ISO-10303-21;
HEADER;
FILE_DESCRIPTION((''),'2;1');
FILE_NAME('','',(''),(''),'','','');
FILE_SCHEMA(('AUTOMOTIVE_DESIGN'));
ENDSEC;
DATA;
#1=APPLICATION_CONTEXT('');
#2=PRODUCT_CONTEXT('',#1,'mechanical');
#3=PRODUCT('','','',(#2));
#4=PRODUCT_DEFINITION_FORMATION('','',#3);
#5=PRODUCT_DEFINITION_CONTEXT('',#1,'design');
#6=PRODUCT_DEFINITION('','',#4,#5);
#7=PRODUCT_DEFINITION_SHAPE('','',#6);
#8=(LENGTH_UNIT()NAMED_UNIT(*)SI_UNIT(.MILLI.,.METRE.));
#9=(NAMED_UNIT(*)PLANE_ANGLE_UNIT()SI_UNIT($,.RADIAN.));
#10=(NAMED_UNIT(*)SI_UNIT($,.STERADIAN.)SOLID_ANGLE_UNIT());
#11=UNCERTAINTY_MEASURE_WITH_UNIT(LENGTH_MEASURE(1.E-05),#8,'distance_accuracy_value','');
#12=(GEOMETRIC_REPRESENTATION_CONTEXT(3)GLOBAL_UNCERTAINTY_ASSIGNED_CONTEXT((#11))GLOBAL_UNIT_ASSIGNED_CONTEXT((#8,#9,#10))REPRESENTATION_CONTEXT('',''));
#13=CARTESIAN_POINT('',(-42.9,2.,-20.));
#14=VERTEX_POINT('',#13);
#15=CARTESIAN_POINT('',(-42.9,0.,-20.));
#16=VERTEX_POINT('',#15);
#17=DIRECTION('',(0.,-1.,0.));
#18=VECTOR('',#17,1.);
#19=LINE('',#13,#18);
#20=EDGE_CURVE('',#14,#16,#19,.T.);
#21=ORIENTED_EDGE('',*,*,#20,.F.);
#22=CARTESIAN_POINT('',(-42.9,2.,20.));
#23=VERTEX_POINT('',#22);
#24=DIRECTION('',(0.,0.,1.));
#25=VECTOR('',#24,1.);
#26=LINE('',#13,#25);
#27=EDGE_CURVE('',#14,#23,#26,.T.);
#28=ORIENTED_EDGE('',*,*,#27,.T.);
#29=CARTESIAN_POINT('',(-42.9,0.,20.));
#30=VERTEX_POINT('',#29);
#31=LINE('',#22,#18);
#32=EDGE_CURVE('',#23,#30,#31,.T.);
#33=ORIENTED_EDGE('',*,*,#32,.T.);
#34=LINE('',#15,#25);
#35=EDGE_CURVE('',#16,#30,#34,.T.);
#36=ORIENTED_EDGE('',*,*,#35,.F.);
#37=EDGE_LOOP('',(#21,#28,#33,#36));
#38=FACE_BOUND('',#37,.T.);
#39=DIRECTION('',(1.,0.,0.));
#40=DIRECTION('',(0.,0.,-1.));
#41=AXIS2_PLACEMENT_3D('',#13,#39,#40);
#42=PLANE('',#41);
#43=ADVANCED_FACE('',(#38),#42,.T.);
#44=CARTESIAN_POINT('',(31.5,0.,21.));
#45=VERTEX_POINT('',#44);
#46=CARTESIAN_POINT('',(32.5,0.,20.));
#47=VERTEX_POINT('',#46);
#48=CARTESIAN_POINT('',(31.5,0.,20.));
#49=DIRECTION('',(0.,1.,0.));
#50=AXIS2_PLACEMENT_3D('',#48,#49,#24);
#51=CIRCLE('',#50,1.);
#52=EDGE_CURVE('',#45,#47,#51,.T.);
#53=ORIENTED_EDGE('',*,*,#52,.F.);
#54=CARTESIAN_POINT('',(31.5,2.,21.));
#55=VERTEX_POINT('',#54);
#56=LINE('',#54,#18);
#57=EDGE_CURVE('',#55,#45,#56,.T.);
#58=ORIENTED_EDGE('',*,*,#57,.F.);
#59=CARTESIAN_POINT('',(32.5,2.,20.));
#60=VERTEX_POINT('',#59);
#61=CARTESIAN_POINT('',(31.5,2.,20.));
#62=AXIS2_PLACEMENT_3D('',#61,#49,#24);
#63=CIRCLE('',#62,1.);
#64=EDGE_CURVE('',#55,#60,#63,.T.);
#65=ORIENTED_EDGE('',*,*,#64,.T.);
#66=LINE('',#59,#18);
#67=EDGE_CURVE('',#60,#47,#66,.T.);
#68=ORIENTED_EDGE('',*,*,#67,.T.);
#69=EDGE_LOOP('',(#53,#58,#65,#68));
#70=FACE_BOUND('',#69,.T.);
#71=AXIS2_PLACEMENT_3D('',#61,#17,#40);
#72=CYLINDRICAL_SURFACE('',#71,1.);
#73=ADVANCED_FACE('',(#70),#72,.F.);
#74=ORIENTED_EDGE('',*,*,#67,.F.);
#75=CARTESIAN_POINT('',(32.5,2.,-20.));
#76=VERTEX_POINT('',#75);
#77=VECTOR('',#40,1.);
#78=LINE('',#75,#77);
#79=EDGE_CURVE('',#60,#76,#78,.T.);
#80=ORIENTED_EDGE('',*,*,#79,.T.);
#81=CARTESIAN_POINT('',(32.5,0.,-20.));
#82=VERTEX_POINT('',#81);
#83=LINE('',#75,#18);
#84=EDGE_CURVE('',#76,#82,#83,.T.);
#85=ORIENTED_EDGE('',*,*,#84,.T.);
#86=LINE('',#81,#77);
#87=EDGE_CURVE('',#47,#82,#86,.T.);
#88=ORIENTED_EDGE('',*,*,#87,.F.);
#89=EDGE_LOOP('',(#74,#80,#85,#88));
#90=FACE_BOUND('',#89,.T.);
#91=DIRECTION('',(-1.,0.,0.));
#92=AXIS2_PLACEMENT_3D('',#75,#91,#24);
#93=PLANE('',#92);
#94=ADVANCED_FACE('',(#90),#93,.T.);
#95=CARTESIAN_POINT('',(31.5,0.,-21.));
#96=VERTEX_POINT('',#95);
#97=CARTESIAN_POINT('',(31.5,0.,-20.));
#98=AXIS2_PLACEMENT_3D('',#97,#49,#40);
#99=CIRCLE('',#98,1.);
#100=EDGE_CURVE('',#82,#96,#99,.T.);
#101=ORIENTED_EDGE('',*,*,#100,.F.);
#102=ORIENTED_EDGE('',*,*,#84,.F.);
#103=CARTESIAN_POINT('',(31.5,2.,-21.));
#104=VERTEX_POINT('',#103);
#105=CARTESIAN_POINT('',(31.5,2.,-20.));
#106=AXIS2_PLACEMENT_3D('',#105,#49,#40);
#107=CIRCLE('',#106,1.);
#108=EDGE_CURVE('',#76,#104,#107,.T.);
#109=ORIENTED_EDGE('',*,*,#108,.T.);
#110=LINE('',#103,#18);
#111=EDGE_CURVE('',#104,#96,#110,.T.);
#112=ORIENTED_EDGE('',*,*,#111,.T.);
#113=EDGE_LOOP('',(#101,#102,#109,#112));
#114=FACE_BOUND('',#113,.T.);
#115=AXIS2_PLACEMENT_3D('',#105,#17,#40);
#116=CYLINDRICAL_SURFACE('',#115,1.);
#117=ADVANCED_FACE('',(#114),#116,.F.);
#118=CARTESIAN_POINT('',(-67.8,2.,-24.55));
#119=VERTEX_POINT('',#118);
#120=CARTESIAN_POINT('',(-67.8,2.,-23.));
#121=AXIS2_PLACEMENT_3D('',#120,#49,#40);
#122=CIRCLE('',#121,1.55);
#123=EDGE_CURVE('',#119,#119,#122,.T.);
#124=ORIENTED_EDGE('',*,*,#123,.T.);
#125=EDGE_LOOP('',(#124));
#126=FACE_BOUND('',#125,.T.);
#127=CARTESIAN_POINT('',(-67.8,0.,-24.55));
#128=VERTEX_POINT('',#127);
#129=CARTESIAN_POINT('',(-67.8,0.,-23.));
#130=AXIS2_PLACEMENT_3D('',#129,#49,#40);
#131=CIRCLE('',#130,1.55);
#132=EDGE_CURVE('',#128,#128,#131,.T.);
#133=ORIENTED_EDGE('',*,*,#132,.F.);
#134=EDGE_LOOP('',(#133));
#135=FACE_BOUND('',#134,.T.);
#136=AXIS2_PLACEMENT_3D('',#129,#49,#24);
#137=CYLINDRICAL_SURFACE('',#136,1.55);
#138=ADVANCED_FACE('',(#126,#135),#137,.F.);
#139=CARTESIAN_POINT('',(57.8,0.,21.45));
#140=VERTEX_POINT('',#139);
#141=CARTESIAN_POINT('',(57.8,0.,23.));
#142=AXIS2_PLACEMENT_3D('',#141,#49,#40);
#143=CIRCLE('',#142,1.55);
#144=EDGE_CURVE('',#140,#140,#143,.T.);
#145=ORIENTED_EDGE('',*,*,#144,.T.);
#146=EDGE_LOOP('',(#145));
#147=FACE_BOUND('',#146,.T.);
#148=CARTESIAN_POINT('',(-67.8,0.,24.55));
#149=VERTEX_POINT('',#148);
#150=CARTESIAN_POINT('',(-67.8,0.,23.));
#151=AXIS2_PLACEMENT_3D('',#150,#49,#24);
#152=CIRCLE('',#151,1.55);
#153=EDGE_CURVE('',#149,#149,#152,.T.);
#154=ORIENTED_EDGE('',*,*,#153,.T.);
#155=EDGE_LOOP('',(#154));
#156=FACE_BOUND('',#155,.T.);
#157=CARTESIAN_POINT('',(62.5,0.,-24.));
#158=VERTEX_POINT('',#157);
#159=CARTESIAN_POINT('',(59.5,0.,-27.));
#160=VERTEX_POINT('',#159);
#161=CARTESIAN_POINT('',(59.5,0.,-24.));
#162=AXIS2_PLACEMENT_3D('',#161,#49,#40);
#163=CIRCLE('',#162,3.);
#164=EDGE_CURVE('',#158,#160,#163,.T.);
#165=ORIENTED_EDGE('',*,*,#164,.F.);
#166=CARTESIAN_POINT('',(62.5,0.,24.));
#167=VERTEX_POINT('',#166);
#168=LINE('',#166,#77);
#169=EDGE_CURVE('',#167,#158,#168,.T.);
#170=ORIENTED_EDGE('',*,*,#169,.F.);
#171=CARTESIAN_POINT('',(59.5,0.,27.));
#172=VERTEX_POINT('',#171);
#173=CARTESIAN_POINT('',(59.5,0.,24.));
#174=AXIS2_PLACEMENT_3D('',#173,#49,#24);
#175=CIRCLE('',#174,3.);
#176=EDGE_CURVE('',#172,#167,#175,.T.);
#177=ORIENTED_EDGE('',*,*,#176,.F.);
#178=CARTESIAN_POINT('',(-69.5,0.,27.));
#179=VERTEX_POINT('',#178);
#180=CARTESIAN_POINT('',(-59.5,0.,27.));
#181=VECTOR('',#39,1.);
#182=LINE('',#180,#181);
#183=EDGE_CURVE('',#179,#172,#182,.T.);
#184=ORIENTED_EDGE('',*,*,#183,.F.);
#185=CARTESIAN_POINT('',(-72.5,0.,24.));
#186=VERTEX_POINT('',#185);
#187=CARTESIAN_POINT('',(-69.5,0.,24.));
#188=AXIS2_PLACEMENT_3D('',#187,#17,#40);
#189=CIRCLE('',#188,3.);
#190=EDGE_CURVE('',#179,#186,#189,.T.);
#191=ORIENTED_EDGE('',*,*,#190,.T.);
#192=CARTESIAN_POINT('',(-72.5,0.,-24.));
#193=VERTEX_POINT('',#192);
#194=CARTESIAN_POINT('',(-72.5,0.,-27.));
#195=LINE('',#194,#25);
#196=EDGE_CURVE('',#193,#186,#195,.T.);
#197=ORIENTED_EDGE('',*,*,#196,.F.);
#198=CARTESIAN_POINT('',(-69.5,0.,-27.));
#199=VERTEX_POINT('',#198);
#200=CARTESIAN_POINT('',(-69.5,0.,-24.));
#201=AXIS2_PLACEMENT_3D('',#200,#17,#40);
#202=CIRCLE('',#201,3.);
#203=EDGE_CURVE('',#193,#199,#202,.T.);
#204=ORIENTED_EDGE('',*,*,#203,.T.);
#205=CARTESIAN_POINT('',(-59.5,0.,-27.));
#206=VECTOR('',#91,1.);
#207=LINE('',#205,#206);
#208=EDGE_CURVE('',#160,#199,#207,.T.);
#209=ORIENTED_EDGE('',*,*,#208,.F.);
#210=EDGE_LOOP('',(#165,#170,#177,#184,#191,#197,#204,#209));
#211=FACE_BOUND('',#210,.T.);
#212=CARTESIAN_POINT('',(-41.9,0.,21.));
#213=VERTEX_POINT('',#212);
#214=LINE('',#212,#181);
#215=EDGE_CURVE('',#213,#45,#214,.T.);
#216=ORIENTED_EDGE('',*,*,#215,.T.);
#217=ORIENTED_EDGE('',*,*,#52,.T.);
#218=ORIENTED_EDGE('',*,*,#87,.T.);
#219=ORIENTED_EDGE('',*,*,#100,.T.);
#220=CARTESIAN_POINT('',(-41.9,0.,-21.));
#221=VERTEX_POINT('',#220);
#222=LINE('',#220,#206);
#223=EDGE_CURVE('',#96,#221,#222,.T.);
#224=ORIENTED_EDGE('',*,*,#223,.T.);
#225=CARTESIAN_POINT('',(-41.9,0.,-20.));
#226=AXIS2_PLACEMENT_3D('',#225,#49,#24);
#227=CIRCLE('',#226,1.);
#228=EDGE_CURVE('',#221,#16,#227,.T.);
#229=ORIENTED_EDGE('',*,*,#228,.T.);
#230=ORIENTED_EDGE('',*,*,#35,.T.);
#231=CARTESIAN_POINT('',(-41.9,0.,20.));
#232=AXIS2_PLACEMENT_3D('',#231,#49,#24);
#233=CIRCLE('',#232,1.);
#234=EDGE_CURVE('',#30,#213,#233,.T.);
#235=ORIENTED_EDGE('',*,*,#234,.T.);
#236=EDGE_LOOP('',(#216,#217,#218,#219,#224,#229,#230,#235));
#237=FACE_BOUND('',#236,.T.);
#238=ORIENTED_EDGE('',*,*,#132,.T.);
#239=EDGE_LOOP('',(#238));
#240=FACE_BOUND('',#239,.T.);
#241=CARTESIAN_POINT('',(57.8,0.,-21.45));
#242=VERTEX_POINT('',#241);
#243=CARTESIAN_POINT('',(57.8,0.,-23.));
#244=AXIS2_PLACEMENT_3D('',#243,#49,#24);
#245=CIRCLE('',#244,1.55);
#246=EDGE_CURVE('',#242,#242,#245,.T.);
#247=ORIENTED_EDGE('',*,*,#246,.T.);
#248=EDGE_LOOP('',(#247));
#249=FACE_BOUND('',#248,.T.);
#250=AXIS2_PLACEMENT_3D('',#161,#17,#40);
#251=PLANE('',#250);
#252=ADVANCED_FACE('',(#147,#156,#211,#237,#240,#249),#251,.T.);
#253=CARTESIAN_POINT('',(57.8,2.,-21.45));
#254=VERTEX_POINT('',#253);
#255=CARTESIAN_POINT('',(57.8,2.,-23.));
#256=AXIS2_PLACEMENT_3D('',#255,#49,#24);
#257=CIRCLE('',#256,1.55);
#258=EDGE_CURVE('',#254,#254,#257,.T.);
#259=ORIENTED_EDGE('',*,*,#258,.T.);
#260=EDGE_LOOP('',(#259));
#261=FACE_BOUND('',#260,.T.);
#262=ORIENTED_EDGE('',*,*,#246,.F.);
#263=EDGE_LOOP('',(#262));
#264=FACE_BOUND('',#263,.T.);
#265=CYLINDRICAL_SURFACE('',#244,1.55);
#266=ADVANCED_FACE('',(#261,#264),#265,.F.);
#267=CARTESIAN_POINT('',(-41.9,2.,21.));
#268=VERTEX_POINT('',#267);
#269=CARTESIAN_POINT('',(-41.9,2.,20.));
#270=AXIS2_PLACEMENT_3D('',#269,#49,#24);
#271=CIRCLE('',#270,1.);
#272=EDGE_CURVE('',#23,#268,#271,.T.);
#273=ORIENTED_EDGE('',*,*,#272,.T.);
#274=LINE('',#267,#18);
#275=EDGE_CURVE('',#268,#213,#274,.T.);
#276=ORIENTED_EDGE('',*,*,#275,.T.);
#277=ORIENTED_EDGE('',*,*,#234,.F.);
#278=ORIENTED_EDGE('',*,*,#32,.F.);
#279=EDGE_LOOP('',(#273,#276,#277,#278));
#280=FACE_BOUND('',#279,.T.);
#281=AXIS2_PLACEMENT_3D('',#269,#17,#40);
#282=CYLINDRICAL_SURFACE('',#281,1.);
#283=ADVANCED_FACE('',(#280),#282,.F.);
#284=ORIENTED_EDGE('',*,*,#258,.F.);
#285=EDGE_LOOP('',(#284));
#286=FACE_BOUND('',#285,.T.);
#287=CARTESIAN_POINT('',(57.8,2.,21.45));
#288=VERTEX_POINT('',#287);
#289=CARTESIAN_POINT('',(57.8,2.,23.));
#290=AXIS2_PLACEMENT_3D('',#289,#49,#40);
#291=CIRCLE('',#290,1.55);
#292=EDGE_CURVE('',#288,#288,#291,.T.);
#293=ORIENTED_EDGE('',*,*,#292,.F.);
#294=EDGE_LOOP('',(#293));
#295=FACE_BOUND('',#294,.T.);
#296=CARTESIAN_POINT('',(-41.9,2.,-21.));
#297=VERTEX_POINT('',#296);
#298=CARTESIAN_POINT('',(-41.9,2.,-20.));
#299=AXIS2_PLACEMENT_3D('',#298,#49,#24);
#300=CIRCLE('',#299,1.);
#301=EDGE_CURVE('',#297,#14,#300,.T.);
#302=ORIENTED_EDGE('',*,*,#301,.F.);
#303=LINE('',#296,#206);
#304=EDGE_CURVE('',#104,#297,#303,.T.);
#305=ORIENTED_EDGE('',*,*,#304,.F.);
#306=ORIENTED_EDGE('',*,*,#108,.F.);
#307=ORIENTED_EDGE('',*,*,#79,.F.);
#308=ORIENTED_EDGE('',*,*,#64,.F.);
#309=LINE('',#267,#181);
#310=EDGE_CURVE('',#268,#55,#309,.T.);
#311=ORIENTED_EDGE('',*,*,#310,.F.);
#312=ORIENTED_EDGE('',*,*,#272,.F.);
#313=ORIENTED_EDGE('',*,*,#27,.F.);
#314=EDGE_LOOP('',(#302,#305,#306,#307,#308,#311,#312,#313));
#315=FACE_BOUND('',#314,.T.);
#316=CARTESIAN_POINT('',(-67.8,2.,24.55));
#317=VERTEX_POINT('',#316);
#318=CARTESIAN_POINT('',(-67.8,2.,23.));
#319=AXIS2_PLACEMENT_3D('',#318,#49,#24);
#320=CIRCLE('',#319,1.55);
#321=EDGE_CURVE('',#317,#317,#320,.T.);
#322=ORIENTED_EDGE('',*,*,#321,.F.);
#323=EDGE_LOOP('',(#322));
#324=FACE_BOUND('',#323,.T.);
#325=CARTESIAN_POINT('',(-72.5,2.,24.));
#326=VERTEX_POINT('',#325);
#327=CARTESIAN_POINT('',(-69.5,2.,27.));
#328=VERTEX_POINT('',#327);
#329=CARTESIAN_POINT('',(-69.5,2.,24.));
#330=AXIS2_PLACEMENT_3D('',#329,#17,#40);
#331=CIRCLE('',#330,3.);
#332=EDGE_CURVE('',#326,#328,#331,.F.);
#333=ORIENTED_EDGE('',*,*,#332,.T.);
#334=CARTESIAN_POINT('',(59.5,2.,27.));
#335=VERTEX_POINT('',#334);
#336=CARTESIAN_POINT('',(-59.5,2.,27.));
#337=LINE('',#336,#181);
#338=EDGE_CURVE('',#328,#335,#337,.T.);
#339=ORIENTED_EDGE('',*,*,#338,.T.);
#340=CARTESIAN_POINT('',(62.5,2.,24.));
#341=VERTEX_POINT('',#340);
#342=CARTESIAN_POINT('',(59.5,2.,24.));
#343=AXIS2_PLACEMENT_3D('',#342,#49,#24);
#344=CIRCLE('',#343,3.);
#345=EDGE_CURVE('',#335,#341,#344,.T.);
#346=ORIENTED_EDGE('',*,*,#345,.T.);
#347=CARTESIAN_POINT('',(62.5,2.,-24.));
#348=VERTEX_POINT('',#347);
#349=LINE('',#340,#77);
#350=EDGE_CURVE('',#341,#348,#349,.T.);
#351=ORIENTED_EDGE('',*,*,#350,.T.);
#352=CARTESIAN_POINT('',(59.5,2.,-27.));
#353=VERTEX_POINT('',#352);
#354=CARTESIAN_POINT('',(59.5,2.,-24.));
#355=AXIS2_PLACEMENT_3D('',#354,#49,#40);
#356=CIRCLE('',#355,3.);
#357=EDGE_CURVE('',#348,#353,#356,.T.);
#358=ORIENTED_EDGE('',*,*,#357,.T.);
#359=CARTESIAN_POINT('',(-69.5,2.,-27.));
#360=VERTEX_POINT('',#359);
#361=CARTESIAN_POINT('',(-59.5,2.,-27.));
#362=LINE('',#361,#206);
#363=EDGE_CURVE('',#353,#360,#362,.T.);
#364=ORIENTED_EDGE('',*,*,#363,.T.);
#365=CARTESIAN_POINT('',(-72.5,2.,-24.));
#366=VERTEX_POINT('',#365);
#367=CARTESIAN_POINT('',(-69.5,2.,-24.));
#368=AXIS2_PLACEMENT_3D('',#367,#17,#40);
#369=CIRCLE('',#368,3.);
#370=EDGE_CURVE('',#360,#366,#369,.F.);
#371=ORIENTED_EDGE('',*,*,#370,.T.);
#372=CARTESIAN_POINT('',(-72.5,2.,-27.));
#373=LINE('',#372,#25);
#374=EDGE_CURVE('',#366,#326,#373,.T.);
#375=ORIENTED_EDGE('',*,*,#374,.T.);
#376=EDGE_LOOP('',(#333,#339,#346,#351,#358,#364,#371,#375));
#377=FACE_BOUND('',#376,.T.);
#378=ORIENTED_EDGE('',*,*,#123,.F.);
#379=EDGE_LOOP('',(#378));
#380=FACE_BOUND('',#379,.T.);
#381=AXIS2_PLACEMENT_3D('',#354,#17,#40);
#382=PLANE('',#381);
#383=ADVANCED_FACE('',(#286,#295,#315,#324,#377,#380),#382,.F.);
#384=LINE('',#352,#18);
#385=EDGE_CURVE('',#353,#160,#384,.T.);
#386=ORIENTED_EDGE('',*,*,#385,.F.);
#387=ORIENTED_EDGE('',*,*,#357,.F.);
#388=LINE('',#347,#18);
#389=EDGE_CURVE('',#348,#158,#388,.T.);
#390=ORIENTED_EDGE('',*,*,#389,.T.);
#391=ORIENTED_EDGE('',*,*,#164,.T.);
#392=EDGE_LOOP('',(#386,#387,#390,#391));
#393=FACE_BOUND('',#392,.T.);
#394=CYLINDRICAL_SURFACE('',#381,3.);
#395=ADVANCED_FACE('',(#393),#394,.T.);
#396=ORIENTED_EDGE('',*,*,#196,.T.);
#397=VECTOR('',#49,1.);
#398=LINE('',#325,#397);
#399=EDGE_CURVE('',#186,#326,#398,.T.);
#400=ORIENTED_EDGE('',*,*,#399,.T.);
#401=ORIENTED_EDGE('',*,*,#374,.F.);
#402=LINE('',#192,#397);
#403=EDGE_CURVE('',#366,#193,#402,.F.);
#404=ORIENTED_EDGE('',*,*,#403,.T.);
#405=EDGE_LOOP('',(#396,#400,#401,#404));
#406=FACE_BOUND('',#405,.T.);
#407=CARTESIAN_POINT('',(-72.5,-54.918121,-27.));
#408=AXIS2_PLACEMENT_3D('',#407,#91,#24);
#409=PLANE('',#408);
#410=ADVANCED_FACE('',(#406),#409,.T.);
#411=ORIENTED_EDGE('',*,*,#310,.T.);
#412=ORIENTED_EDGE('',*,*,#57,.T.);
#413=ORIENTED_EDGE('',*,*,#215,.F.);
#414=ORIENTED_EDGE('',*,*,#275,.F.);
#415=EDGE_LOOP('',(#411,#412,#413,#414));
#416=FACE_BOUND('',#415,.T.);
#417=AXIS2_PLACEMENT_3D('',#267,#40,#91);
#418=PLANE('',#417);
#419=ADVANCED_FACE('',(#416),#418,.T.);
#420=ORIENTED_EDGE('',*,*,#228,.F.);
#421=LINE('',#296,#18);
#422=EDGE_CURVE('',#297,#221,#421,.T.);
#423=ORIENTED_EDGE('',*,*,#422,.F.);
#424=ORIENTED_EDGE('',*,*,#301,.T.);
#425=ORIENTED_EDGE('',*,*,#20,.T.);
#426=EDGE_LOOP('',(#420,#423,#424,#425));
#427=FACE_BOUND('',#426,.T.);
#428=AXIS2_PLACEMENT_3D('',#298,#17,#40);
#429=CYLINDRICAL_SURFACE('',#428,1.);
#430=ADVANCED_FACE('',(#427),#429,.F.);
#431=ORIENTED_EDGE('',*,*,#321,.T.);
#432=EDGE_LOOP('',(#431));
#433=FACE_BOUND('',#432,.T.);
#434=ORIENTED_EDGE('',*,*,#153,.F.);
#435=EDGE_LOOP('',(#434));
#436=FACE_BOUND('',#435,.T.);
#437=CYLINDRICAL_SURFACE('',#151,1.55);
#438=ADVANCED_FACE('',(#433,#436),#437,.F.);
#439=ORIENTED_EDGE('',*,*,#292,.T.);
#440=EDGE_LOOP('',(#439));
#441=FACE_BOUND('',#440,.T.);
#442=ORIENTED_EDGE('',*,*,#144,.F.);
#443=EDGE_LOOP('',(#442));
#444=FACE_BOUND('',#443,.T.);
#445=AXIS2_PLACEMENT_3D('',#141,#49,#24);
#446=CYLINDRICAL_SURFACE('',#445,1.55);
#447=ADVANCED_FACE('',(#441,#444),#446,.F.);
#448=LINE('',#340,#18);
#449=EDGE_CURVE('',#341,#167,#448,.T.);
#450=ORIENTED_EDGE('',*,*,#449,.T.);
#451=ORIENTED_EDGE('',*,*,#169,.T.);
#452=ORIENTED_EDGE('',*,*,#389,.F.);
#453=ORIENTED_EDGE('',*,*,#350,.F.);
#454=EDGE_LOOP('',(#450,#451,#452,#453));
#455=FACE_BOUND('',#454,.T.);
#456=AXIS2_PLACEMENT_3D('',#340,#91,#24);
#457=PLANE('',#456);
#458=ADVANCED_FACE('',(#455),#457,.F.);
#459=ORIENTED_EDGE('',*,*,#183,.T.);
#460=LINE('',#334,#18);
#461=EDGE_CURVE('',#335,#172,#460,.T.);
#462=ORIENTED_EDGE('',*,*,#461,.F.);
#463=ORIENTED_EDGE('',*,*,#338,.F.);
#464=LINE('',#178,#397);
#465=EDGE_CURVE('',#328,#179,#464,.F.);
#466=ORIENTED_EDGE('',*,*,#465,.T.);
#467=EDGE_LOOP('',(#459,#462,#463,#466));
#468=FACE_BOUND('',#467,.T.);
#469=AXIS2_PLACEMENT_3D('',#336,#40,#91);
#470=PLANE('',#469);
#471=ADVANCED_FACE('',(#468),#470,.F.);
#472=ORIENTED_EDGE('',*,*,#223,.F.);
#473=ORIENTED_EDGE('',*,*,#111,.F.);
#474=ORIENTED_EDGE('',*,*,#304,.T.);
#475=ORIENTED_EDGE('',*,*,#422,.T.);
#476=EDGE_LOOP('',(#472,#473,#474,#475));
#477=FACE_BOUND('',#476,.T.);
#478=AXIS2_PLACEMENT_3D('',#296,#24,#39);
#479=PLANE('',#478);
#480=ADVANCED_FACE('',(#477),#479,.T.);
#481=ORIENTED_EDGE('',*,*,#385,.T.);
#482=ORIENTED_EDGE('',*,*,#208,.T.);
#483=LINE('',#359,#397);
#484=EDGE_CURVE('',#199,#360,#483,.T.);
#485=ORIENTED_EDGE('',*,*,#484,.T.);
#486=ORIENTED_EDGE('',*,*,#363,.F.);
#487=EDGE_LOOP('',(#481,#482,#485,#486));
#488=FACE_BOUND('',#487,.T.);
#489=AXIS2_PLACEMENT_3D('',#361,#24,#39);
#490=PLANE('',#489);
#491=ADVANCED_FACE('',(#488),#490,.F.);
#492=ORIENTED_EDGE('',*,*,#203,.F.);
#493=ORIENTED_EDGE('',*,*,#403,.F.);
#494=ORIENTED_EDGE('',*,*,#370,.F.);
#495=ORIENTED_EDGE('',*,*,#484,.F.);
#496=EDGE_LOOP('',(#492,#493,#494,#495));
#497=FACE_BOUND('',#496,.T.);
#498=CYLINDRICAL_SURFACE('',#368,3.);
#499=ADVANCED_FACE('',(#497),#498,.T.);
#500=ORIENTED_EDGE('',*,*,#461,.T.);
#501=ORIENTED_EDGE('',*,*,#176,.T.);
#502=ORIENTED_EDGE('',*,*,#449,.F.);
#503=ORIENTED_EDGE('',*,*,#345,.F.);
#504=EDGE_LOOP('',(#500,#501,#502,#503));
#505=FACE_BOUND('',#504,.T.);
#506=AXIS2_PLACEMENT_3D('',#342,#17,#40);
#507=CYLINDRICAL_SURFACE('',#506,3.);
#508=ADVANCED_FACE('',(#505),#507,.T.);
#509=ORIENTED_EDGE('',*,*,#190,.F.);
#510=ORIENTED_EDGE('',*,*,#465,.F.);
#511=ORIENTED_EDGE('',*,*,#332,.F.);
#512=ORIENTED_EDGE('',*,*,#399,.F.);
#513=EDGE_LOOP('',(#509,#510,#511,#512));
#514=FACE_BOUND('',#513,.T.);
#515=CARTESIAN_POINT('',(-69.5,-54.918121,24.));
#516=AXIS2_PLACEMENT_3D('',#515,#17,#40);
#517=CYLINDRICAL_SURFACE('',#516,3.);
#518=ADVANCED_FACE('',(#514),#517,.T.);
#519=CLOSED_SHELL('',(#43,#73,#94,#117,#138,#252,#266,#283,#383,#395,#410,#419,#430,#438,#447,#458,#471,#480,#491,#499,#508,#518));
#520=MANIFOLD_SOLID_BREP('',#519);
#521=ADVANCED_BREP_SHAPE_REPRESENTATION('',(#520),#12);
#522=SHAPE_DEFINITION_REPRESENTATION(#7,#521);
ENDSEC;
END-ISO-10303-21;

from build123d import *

# Parameters (mm, degrees)
EXTRUDE_1_DEPTH     = 2
SKETCH_3_W          = 10
SKETCH_3_H          = 54
EXTRUDE_2_DEPTH     = 2
SKETCH_2_R          = 1.55
CUT_EXTRUDE_1_DEPTH = 2
FILLET_1_R          = 3


with BuildPart() as part:
    # 草图1 → 凸台-拉伸1 (new body)
    with BuildSketch(Plane(origin=(0, 0, 0), x_dir=(1, 0, 0), z_dir=(0, 1, 0))):
        with BuildLine():
            Line((-59.5, -27), (-62.5, -27))
            Line((-62.5, -27), (-62.5, -24))
            Line((-62.5, -24), (-62.5, 24))
            Line((-62.5, 24), (-62.5, 27))
            Line((-62.5, 27), (-59.5, 27))
            Line((-59.5, 27), (59.5, 27))
            ThreePointArc((59.5, 27), (61.621320344, 26.121320344), (62.5, 24))
            Line((62.5, 24), (62.5, -24))
            ThreePointArc((62.5, -24), (61.621320344, -26.121320344), (59.5, -27))
            Line((59.5, -27), (-59.5, -27))
        make_face()
        with BuildLine():
            Line((-41.9, 21), (31.5, 21))
            ThreePointArc((31.5, 21), (32.207106781, 20.707106781), (32.5, 20))
            Line((32.5, 20), (32.5, -20))
            ThreePointArc((32.5, -20), (32.207106781, -20.707106781), (31.5, -21))
            Line((31.5, -21), (-41.9, -21))
            ThreePointArc((-41.9, -21), (-42.607106781, -20.707106781), (-42.9, -20))
            Line((-42.9, -20), (-42.9, 20))
            ThreePointArc((-42.9, 20), (-42.607106781, 20.707106781), (-41.9, 21))
        make_face(mode=Mode.SUBTRACT)
    extrude(amount=EXTRUDE_1_DEPTH)

    # 草图3 → 凸台-拉伸2 (add)
    with BuildSketch(Plane(origin=(0, 2, 0), x_dir=(1, 0, 0), z_dir=(0, 1, 0))):
        with Locations((-67.5, 0)):
            Rectangle(SKETCH_3_W, SKETCH_3_H)
    extrude(amount=-EXTRUDE_2_DEPTH)

    # 草图2 → 切除-拉伸1 (cut)
    with BuildSketch(Plane(origin=(0, 2, 0), x_dir=(1, 0, 0), z_dir=(0, 1, 0))):
        with Locations(Location((57.8, 23, 0), (0, 0, 270))):
            Circle(SKETCH_2_R)
        with Locations(Location((57.8, -23, 0), (0, 0, 90))):
            Circle(SKETCH_2_R)
        with Locations(Location((-67.8, -23, 0), (0, 0, 270))):
            Circle(SKETCH_2_R)
        with Locations(Location((-67.8, 23, 0), (0, 0, 90))):
            Circle(SKETCH_2_R)
    extrude(amount=-CUT_EXTRUDE_1_DEPTH, mode=Mode.SUBTRACT)

    # 圆角1
    fillet_1_edges = [part.edges().sort_by_distance(p)[0] for p in [
        (-72.5, 1, -27),
        (-72.5, 1, 27),
    ]]
    fillet(fillet_1_edges, radius=FILLET_1_R)


solid = part.part
